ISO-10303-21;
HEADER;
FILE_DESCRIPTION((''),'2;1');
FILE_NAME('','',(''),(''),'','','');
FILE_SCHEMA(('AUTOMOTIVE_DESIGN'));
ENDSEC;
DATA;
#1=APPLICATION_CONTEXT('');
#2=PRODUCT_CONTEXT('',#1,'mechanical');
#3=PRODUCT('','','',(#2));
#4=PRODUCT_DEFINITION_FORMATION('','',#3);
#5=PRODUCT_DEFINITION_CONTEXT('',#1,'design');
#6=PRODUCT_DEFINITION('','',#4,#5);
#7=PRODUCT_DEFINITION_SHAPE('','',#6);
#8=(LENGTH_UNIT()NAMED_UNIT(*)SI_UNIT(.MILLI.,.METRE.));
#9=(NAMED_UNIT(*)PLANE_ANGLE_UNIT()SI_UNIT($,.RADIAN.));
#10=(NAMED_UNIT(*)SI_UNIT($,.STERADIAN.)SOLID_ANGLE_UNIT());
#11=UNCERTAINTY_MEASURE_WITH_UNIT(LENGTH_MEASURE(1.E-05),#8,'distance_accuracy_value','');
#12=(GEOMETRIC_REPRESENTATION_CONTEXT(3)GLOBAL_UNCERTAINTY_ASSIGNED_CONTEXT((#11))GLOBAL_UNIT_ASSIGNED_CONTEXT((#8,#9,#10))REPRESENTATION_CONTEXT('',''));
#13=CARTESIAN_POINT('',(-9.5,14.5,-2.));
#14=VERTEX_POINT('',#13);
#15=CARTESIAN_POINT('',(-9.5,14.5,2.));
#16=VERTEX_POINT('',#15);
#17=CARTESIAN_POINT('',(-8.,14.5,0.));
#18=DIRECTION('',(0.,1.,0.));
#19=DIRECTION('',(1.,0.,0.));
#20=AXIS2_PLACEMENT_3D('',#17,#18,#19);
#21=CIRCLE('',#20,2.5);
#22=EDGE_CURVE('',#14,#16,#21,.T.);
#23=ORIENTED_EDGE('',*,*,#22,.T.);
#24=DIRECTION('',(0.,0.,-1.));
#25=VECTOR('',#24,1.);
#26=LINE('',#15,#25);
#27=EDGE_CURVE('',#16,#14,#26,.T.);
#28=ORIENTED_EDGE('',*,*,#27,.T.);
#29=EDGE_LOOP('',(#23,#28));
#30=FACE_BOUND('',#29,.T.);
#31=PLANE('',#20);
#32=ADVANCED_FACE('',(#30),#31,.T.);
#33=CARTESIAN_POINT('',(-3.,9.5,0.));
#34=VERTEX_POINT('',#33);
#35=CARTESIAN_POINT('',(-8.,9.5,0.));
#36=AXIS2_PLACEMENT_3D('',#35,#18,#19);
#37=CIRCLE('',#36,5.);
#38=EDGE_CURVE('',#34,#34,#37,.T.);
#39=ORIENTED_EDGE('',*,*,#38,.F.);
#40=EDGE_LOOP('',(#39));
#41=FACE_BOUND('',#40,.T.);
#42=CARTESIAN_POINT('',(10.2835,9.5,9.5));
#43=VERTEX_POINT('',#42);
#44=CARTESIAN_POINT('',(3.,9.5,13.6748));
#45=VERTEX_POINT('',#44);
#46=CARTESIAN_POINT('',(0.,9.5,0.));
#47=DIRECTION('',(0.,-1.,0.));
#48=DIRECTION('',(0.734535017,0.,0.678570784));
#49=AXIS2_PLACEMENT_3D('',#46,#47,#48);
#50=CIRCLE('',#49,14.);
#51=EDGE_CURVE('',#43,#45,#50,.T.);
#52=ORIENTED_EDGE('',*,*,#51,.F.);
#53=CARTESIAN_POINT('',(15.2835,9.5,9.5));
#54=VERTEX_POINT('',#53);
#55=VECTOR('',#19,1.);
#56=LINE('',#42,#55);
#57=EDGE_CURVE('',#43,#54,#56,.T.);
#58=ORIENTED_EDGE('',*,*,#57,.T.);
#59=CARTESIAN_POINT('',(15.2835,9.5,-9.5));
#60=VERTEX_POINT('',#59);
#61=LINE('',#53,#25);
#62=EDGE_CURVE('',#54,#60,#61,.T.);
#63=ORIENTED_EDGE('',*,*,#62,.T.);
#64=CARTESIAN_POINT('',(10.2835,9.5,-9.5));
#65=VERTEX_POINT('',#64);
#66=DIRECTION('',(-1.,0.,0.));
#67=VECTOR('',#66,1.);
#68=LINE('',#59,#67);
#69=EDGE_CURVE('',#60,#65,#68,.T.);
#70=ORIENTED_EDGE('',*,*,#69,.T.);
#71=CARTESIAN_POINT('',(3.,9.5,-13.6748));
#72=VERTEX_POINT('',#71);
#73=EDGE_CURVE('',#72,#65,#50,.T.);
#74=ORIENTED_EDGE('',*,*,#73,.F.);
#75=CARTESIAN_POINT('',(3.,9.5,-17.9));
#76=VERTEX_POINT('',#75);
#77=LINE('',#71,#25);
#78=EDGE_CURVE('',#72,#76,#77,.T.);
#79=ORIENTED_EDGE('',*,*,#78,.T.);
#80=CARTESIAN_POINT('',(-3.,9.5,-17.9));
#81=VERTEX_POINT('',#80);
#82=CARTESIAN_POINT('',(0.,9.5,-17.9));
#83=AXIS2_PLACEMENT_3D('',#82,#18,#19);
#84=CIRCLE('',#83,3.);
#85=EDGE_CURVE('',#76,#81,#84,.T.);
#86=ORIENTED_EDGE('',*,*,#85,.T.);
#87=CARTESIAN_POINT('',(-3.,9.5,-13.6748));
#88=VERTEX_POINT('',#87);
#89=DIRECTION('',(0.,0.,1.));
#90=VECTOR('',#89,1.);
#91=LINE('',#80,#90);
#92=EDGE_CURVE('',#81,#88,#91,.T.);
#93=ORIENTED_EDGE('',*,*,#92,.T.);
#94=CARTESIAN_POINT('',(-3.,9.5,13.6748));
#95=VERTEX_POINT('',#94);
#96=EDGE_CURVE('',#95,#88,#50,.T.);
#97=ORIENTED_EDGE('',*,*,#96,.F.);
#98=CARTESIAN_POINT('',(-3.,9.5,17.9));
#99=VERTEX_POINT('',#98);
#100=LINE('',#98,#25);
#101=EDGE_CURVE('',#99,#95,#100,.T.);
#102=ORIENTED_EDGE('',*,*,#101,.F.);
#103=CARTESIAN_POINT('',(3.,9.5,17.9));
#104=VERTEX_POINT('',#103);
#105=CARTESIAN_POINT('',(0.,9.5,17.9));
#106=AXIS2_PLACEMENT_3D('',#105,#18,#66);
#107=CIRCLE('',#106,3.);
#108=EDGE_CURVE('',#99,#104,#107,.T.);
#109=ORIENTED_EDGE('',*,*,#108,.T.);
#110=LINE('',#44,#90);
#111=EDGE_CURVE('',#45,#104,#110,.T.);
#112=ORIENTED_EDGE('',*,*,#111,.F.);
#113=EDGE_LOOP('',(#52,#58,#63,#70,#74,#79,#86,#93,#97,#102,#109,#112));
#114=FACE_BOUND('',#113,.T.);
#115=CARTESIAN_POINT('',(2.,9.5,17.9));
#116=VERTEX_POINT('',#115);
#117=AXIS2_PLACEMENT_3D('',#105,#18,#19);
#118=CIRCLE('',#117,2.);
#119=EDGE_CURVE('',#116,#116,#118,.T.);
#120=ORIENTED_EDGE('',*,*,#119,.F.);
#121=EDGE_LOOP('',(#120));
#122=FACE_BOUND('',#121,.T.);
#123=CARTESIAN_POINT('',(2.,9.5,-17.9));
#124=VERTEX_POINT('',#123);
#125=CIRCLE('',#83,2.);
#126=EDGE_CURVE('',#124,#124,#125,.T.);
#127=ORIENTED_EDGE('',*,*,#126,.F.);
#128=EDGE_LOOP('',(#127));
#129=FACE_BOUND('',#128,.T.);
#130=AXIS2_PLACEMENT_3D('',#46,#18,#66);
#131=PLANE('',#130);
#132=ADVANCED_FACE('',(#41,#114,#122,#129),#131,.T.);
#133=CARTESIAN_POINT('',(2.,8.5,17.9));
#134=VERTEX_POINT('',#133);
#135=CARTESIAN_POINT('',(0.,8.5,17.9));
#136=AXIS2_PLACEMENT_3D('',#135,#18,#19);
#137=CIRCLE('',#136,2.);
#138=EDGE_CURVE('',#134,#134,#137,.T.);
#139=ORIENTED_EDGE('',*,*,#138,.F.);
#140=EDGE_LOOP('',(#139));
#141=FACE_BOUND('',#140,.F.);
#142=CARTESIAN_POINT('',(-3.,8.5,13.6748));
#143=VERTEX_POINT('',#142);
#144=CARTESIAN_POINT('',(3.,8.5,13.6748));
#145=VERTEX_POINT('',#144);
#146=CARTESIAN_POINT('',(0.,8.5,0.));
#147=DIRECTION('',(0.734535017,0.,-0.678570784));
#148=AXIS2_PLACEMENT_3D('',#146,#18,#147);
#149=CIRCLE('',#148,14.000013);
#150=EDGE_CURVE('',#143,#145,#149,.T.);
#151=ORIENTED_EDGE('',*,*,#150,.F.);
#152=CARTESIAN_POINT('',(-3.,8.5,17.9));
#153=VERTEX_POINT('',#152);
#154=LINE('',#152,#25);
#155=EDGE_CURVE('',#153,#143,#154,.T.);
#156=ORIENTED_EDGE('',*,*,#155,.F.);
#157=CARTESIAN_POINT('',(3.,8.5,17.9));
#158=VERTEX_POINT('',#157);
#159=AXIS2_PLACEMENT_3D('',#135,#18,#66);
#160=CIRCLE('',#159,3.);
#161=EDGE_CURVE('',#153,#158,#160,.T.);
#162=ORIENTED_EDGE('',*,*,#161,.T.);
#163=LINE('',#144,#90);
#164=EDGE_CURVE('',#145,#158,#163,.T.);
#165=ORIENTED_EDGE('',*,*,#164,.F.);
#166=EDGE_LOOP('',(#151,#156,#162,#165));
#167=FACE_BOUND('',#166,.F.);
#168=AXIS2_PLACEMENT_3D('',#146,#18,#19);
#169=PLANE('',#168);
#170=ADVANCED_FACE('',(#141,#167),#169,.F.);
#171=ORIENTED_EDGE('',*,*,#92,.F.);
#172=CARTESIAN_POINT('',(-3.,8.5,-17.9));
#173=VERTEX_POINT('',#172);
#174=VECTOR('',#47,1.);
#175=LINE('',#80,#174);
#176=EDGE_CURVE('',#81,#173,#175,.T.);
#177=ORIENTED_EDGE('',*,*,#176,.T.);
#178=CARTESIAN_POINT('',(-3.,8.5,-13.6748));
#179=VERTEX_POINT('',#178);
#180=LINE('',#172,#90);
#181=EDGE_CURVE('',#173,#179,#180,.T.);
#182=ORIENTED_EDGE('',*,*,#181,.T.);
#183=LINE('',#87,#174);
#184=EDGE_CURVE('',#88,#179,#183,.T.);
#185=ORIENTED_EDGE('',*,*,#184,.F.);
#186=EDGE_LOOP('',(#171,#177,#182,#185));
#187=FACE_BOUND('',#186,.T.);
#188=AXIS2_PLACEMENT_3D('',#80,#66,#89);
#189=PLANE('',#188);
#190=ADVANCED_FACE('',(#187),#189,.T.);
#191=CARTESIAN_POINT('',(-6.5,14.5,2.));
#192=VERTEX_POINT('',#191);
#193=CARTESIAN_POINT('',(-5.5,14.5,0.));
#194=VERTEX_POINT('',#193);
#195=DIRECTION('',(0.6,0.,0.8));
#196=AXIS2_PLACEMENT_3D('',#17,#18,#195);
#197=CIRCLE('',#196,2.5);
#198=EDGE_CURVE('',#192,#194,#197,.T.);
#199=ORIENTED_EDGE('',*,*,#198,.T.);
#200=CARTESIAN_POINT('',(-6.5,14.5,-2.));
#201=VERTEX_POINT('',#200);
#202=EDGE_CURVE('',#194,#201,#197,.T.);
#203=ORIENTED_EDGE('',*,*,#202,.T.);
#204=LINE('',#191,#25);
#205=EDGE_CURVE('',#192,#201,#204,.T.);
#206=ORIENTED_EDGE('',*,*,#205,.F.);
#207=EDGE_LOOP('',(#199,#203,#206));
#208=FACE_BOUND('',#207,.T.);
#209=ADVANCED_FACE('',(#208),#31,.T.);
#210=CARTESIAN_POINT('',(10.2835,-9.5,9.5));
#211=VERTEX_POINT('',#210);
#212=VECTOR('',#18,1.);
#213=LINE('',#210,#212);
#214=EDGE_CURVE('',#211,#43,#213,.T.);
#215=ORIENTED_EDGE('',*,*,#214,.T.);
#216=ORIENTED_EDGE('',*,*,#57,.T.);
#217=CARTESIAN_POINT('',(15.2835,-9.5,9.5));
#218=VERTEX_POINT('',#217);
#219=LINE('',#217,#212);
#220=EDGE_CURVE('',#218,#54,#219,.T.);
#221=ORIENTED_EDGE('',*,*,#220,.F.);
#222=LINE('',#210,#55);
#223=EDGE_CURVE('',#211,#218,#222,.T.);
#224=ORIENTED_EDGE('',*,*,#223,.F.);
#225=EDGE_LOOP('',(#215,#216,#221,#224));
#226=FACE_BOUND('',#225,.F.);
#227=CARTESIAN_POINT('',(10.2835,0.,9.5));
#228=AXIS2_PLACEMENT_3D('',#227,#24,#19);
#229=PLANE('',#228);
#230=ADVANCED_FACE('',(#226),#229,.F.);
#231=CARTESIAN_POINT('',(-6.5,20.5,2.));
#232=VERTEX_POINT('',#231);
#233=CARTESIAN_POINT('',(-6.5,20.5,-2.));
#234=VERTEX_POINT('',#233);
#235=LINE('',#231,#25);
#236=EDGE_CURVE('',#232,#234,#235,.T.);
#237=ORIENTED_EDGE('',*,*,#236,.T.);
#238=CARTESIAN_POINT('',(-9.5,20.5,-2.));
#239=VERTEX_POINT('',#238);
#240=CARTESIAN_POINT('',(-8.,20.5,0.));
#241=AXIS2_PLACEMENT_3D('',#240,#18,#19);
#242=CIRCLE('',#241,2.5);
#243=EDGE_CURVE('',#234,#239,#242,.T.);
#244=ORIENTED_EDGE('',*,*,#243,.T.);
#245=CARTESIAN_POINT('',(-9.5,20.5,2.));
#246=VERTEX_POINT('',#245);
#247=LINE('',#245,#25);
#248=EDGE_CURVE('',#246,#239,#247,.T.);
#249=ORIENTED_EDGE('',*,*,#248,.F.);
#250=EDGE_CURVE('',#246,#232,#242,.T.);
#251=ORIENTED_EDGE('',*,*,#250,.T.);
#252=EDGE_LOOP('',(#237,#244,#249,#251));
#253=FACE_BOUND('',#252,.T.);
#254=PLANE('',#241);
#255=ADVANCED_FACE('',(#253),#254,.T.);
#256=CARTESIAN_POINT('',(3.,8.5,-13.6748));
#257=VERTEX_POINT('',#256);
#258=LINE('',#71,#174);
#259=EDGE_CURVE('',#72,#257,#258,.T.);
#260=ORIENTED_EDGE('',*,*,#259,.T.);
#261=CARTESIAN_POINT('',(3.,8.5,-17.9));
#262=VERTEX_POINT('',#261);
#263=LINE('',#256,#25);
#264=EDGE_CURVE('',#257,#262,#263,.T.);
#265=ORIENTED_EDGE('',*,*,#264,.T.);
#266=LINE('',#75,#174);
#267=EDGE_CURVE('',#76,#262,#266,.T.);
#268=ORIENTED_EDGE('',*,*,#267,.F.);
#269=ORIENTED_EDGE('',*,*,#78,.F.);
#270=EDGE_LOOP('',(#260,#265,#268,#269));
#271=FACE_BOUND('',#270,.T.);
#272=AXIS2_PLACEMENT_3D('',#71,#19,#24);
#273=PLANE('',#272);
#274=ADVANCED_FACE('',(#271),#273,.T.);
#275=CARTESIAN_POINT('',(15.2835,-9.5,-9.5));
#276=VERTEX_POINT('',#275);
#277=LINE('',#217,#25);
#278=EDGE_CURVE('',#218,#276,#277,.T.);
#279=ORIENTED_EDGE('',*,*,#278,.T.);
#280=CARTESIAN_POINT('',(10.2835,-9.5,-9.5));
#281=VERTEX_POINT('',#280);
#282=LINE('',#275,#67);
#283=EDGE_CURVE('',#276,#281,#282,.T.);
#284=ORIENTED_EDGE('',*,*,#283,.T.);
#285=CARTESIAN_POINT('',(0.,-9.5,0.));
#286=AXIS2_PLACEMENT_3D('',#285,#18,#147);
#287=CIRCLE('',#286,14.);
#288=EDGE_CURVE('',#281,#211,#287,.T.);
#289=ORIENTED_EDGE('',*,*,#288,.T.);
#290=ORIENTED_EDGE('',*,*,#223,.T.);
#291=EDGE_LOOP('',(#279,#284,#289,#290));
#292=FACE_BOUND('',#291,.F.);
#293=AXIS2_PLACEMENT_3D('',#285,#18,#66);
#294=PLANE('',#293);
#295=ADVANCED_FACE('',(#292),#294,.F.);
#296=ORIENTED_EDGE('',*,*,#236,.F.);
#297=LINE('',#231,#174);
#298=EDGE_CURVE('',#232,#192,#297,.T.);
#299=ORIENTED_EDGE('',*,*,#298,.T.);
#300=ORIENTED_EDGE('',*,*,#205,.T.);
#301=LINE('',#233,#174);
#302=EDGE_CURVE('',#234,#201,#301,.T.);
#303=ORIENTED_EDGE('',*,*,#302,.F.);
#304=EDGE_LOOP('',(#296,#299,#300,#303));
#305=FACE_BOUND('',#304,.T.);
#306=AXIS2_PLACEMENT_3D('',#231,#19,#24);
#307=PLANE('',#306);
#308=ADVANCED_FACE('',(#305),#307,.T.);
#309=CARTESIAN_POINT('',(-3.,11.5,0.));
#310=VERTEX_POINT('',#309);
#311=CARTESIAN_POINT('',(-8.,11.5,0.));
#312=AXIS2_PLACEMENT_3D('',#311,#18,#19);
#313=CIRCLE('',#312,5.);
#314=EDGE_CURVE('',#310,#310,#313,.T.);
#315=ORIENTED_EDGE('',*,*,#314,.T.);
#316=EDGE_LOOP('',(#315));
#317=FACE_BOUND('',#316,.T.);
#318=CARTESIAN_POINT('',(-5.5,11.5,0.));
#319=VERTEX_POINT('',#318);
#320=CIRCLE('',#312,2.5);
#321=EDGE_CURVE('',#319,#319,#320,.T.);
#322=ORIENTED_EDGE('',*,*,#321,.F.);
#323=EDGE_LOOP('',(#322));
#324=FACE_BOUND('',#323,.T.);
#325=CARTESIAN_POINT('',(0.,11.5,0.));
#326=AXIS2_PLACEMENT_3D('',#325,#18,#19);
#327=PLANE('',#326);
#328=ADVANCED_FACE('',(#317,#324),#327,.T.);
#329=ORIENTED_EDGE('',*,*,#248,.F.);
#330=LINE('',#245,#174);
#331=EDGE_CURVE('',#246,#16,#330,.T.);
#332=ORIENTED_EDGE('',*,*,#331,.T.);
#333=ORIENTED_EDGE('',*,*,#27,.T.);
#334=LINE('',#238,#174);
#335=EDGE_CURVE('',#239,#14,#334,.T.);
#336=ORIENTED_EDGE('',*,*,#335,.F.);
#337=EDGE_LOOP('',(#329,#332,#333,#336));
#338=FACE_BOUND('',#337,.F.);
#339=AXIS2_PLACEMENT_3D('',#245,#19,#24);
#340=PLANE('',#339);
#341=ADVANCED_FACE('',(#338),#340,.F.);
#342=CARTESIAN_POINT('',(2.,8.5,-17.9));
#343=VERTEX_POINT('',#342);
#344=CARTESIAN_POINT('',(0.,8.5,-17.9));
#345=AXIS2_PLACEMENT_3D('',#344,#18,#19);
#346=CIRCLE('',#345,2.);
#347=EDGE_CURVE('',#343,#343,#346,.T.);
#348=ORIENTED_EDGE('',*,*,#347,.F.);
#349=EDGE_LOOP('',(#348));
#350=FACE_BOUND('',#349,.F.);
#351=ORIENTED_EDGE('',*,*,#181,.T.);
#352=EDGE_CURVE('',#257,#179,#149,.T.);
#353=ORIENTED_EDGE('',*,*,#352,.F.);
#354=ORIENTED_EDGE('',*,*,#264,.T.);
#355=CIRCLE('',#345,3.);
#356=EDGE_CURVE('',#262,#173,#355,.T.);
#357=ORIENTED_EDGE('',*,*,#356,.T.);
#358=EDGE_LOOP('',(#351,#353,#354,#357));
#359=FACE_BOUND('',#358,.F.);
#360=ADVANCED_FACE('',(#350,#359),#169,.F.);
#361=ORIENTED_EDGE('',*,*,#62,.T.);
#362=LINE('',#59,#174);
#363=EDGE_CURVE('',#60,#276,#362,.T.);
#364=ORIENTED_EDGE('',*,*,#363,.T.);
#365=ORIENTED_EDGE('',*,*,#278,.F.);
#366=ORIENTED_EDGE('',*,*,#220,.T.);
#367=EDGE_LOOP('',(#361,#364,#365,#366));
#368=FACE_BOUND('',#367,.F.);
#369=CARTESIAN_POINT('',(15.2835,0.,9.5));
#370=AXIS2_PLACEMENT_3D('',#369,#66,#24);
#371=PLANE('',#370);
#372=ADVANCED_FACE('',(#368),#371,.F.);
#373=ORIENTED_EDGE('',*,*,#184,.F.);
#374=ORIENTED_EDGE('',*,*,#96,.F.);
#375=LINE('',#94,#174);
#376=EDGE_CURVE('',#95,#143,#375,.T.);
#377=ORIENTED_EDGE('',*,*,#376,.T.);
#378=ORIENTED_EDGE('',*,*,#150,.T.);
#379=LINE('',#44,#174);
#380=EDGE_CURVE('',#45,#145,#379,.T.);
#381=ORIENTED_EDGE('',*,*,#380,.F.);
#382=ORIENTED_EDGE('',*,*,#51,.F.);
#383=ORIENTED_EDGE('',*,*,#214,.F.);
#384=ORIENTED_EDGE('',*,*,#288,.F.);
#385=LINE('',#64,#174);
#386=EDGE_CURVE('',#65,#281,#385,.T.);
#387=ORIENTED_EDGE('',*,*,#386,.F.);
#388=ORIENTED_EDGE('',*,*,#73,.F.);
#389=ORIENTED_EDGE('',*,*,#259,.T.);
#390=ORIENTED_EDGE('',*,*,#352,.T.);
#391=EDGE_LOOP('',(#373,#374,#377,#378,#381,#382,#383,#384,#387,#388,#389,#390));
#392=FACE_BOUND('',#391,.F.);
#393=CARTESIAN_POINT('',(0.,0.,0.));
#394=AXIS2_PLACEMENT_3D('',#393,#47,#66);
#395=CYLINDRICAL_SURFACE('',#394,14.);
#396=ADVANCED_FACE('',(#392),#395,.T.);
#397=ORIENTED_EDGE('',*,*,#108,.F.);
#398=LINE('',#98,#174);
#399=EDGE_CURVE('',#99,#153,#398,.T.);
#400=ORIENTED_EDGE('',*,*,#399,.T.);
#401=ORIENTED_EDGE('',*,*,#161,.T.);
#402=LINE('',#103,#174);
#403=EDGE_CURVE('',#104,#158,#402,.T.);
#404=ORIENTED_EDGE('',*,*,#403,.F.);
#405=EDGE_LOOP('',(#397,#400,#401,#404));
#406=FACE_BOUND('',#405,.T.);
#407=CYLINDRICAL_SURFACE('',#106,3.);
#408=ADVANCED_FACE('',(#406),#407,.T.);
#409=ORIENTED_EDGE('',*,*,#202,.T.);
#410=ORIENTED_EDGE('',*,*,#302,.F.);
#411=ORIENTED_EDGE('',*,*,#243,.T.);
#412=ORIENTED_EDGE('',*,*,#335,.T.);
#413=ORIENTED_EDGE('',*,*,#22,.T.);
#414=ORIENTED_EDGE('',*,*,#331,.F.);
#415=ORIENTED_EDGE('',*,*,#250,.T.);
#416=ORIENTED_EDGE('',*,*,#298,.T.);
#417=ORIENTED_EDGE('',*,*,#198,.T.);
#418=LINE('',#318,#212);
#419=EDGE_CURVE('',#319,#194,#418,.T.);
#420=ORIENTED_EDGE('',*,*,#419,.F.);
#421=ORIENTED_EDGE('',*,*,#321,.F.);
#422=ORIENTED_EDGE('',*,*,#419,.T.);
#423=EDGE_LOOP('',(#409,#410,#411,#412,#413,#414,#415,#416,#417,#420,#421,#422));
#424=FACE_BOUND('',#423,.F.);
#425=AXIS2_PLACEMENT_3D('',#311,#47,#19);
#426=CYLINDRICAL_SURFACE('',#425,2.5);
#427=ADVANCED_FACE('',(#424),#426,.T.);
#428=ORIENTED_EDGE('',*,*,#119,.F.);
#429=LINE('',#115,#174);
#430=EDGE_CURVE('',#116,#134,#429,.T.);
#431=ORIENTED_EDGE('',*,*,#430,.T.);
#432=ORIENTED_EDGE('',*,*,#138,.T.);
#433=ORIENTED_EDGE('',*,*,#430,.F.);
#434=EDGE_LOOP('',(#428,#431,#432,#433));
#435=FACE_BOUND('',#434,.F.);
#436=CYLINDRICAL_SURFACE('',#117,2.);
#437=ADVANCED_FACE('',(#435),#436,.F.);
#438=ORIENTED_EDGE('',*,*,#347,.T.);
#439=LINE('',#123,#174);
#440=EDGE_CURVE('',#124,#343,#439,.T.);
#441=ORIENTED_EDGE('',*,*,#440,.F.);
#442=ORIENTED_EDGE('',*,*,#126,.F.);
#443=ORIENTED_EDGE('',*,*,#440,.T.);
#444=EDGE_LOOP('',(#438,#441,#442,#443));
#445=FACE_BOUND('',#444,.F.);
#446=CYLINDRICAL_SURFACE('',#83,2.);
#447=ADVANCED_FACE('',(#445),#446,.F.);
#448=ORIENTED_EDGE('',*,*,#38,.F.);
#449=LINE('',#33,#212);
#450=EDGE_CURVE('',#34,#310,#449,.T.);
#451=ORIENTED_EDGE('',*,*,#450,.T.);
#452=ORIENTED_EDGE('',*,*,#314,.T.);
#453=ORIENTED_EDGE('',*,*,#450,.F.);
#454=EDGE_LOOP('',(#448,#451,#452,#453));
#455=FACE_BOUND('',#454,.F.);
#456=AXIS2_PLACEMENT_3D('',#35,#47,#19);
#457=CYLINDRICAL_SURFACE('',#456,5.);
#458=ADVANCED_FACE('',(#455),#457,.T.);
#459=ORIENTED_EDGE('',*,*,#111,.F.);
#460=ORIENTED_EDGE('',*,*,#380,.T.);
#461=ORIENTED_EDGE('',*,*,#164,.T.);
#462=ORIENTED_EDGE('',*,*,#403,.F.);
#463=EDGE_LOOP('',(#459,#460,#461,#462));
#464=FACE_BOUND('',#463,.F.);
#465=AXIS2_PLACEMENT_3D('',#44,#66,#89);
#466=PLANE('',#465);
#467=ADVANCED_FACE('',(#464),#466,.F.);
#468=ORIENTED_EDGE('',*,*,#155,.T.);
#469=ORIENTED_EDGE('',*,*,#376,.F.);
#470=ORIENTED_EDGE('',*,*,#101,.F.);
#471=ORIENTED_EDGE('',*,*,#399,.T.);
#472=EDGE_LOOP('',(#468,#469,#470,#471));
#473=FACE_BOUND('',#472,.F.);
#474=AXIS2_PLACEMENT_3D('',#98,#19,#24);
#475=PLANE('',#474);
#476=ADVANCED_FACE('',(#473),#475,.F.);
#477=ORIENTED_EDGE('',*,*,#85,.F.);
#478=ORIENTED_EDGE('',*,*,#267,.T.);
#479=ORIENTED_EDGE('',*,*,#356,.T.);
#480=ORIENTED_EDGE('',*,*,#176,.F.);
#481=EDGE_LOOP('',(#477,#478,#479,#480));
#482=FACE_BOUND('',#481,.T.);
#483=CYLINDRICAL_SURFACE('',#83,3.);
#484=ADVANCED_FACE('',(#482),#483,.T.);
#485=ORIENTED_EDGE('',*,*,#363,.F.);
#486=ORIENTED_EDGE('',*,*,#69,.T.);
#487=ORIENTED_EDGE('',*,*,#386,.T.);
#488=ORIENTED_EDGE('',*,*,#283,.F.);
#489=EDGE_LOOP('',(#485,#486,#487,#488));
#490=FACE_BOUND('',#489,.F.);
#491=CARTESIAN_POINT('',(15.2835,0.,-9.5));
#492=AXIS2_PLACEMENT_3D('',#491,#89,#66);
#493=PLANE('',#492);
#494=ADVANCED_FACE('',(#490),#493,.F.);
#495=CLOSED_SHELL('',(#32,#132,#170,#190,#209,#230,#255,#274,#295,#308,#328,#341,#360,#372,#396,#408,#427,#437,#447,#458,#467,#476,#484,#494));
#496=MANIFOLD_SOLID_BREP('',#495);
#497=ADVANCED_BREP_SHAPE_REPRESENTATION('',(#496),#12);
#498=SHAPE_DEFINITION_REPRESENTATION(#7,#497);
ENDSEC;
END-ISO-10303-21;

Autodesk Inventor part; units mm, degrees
ref_plane "YZ Plane" through (0, 0, 0) normal (1, 0, 0) x (0, 1, 0)
ref_plane "XZ Plane" through (0, 0, 0) normal (0, 1, 0) x (-1, 0, 0)
ref_plane "XY Plane" through (0, 0, 0) normal (0, 0, 1) x (1, 0, 0)
sketch "Sketch1" plane through (0, 0, 0) normal (0, 1, 0) x (-1, 0, 0)
  circle A0 centre (0, 0) radius 14
  line L0 (-10.2835, 9.5) -> (-15.2835, 9.5)
  line L1 (-15.2835, 9.5) -> (-15.2835, -9.5)
  line L2 (-15.2835, -9.5) -> (-10.2835, -9.5)
  line L3 (-10.2835, -9.5) -> (-10.2835, 9.5)
  point P0 (-10.2835, 0)
  dimension "d0" = 28
  dimension "d3" = 5
  dimension "d4" = 19
extrude "Extrusion1" add sketch "Sketch1" along normal mid plane 19
sketch "Sketch2" plane through (0, 9.5, 0) normal (0, 1, 0) x (1, 0, 0)
  line L0 (0, 0) -> (15.2835, 0) construction
  line L1 (15.2835, -9.5) -> (15.2835, 9.5) projected
  circle A0 centre (0, 17.9) radius 2
  arc A1 (10.2835, 9.5) -> (10.2835, -9.5) centre (0, 0) ccw projected
  line L2 (-3, 13.6748) -> (3, 13.6748)
  line L3 (3, 13.6748) -> (3, 17.9)
  line L4 (3, 17.9) -> (-3, 17.9) construction
  line L5 (-3, 17.9) -> (-3, 13.6748)
  arc A2 (3, 17.9) -> (-3, 17.9) centre (0, 17.9) ccw
  circle A3 centre (0, -17.9) radius 2
  line L6 (-3, -13.6748) -> (3, -13.6748)
  line L7 (3, -13.6748) -> (3, -17.9)
  line L8 (3, -17.9) -> (-3, -17.9) construction
  line L9 (-3, -17.9) -> (-3, -13.6748)
  arc A4 (-3, -17.9) -> (3, -17.9) centre (0, -17.9) ccw
  point P0 (0, 14)
  point P1 (0, 13.6748)
  point P2 (0, -14)
  point P3 (0, -13.6748)
  dimension "d5" = 4
  dimension "d6" = 3.9
  dimension "d7" = 3
extrude "Extrusion2" add sketch "Sketch2" against normal blind 1 contours A1 L7 A4 L9 | A1 L5 A2 L3
sketch "Sketch3" plane through (0, 9.5, 0) normal (0, 1, 0) x (1, 0, 0)
  circle A0 centre (-8, 0) radius 5
  arc A1 (-3, 13.6748) -> (-3, -13.6748) centre (0, 0) ccw projected
  point P0 (-14, 0)
  point P1 (-14, 0)
  dimension "d10" = 10
  dimension "d11" = 6
extrude "Extrusion3" add sketch "Sketch3" along normal blind 2
sketch "Sketch4" plane through (-8, 11.5, 0) normal (0, 1, 0) x (1, 0, 0)
  circle A0 centre (0, 0) radius 2.5
  circle A1 centre (0, 0) radius 5 projected
  point P0 (8, 0)
  dimension "d14" = 5
extrude "Extrusion4" add sketch "Sketch4" along normal blind 9 contours A0
sketch "Sketch5" plane through (-8, 20.5, 0) normal (0, 1, 0) x (1, 0, 0)
  circle A0 centre (0, 0) radius 2.5 projected
  circle A1 centre (0, 0) radius 2.5 projected
  line L0 (1.5, -2) -> (1.5, 2)
  line L1 (0, -2.5) -> (0, 2.5) construction
  line L2 (-1.5, -2) -> (-1.5, 2)
  point P0 (8, 0)
  dimension "d19" = 3
extrude "Extrusion5" cut sketch "Sketch5" against normal blind 6 contours A0 L0 | L2 A0
properties part number "smol stepper"
